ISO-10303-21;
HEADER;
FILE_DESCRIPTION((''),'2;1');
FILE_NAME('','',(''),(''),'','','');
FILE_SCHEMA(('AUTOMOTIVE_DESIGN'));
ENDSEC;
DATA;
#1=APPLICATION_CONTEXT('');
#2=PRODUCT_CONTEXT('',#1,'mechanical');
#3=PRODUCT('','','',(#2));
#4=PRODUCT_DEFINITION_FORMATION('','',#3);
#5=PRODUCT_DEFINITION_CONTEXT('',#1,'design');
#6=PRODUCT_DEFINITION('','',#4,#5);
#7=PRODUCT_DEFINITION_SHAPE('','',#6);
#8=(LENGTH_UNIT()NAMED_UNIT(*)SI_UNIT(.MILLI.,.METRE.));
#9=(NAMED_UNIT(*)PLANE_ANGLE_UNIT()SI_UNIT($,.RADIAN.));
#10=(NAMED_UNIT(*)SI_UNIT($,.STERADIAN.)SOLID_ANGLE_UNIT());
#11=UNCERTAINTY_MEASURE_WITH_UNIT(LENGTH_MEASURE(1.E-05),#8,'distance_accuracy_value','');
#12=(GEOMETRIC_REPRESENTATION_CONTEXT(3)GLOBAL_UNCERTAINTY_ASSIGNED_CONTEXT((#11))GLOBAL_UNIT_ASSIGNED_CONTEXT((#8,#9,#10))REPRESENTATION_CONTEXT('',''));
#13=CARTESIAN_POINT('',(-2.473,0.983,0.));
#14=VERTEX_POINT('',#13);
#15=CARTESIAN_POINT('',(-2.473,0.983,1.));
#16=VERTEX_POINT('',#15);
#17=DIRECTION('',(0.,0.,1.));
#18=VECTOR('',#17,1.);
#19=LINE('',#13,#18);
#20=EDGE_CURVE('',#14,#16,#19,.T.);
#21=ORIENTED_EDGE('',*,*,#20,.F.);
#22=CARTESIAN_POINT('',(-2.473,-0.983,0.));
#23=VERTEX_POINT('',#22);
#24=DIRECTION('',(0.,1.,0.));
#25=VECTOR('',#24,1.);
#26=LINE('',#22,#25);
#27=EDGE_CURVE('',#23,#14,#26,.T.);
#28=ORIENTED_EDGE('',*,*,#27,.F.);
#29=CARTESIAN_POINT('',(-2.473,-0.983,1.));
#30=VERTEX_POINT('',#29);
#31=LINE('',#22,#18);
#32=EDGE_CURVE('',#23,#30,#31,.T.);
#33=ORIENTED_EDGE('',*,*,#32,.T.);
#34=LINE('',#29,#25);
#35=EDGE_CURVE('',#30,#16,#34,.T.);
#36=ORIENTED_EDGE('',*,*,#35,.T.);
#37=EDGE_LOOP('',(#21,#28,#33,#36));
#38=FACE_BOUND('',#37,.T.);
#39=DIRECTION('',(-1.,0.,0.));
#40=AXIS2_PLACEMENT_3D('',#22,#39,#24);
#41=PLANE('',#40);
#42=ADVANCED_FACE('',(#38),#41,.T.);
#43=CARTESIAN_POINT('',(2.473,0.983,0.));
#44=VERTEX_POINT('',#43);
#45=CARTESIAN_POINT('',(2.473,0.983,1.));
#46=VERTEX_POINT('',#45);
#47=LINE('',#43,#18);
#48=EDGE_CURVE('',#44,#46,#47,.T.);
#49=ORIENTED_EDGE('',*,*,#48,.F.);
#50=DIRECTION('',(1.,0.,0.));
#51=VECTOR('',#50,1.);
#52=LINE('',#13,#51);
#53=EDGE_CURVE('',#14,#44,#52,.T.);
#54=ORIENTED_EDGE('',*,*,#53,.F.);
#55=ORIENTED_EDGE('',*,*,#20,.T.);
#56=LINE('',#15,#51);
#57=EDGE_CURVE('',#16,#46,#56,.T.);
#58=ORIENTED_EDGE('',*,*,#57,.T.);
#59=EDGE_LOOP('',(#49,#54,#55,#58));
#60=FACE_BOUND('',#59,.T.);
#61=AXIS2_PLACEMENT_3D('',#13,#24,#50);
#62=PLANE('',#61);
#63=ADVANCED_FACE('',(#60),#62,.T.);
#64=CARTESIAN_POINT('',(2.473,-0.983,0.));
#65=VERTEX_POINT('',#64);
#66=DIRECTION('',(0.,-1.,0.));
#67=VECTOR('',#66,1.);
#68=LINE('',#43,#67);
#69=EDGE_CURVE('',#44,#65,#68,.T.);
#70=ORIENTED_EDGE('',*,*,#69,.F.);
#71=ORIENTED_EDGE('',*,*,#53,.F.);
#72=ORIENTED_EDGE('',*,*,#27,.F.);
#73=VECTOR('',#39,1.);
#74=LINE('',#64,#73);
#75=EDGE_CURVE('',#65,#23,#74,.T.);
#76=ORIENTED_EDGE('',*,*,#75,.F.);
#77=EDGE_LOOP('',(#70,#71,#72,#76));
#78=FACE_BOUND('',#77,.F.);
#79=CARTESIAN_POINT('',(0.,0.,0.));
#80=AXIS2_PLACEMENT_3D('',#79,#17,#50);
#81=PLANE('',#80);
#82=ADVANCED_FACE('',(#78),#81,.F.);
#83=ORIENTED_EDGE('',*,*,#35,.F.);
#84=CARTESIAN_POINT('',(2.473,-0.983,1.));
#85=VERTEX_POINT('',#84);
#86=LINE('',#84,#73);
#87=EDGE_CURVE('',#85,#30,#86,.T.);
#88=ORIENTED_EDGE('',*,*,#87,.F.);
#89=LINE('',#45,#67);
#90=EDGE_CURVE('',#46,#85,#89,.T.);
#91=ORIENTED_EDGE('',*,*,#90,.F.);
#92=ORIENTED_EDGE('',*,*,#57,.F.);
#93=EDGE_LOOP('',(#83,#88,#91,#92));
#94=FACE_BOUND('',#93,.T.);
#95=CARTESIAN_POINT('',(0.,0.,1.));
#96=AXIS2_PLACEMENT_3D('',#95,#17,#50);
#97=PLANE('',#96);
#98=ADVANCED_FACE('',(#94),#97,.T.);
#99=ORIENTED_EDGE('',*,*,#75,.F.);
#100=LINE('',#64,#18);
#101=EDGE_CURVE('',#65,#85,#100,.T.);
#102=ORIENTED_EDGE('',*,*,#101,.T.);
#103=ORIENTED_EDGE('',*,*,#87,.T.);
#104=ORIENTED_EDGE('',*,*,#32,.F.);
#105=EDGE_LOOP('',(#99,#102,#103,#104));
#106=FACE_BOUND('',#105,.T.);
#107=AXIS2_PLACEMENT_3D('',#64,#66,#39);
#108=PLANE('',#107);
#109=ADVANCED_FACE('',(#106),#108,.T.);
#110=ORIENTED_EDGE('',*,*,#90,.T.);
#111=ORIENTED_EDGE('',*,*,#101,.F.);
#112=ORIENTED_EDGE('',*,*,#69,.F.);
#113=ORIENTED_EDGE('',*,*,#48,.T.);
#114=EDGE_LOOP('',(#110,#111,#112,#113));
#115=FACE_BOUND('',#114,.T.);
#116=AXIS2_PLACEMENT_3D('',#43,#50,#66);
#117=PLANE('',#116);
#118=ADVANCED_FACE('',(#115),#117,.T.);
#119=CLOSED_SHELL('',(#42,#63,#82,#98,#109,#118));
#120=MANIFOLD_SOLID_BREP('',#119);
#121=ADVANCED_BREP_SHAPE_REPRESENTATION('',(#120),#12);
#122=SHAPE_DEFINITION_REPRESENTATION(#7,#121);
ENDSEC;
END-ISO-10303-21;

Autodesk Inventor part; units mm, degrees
ref_plane "YZ Plane" through (0, 0, 0) normal (1, 0, 0) x (0, 1, 0)
ref_plane "XZ Plane" through (0, 0, 0) normal (0, 1, 0) x (-1, 0, 0)
ref_plane "XY Plane" through (0, 0, 0) normal (0, 0, 1) x (1, 0, 0)
sketch "R3216, 1K_113" plane through (0, 0, 0) normal (0, 0, 1) x (1, 0, 0)
  line L0 (-2.473, 0.983) -> (2.473, 0.983)
  line L1 (2.473, 0.983) -> (2.473, -0.983)
  line L2 (2.473, -0.983) -> (-2.473, -0.983)
  line L3 (-2.473, -0.983) -> (-2.473, 0.983)
extrude "Extrusion1" add sketch "R3216, 1K_113" along normal blind 1
properties part number "1K"
